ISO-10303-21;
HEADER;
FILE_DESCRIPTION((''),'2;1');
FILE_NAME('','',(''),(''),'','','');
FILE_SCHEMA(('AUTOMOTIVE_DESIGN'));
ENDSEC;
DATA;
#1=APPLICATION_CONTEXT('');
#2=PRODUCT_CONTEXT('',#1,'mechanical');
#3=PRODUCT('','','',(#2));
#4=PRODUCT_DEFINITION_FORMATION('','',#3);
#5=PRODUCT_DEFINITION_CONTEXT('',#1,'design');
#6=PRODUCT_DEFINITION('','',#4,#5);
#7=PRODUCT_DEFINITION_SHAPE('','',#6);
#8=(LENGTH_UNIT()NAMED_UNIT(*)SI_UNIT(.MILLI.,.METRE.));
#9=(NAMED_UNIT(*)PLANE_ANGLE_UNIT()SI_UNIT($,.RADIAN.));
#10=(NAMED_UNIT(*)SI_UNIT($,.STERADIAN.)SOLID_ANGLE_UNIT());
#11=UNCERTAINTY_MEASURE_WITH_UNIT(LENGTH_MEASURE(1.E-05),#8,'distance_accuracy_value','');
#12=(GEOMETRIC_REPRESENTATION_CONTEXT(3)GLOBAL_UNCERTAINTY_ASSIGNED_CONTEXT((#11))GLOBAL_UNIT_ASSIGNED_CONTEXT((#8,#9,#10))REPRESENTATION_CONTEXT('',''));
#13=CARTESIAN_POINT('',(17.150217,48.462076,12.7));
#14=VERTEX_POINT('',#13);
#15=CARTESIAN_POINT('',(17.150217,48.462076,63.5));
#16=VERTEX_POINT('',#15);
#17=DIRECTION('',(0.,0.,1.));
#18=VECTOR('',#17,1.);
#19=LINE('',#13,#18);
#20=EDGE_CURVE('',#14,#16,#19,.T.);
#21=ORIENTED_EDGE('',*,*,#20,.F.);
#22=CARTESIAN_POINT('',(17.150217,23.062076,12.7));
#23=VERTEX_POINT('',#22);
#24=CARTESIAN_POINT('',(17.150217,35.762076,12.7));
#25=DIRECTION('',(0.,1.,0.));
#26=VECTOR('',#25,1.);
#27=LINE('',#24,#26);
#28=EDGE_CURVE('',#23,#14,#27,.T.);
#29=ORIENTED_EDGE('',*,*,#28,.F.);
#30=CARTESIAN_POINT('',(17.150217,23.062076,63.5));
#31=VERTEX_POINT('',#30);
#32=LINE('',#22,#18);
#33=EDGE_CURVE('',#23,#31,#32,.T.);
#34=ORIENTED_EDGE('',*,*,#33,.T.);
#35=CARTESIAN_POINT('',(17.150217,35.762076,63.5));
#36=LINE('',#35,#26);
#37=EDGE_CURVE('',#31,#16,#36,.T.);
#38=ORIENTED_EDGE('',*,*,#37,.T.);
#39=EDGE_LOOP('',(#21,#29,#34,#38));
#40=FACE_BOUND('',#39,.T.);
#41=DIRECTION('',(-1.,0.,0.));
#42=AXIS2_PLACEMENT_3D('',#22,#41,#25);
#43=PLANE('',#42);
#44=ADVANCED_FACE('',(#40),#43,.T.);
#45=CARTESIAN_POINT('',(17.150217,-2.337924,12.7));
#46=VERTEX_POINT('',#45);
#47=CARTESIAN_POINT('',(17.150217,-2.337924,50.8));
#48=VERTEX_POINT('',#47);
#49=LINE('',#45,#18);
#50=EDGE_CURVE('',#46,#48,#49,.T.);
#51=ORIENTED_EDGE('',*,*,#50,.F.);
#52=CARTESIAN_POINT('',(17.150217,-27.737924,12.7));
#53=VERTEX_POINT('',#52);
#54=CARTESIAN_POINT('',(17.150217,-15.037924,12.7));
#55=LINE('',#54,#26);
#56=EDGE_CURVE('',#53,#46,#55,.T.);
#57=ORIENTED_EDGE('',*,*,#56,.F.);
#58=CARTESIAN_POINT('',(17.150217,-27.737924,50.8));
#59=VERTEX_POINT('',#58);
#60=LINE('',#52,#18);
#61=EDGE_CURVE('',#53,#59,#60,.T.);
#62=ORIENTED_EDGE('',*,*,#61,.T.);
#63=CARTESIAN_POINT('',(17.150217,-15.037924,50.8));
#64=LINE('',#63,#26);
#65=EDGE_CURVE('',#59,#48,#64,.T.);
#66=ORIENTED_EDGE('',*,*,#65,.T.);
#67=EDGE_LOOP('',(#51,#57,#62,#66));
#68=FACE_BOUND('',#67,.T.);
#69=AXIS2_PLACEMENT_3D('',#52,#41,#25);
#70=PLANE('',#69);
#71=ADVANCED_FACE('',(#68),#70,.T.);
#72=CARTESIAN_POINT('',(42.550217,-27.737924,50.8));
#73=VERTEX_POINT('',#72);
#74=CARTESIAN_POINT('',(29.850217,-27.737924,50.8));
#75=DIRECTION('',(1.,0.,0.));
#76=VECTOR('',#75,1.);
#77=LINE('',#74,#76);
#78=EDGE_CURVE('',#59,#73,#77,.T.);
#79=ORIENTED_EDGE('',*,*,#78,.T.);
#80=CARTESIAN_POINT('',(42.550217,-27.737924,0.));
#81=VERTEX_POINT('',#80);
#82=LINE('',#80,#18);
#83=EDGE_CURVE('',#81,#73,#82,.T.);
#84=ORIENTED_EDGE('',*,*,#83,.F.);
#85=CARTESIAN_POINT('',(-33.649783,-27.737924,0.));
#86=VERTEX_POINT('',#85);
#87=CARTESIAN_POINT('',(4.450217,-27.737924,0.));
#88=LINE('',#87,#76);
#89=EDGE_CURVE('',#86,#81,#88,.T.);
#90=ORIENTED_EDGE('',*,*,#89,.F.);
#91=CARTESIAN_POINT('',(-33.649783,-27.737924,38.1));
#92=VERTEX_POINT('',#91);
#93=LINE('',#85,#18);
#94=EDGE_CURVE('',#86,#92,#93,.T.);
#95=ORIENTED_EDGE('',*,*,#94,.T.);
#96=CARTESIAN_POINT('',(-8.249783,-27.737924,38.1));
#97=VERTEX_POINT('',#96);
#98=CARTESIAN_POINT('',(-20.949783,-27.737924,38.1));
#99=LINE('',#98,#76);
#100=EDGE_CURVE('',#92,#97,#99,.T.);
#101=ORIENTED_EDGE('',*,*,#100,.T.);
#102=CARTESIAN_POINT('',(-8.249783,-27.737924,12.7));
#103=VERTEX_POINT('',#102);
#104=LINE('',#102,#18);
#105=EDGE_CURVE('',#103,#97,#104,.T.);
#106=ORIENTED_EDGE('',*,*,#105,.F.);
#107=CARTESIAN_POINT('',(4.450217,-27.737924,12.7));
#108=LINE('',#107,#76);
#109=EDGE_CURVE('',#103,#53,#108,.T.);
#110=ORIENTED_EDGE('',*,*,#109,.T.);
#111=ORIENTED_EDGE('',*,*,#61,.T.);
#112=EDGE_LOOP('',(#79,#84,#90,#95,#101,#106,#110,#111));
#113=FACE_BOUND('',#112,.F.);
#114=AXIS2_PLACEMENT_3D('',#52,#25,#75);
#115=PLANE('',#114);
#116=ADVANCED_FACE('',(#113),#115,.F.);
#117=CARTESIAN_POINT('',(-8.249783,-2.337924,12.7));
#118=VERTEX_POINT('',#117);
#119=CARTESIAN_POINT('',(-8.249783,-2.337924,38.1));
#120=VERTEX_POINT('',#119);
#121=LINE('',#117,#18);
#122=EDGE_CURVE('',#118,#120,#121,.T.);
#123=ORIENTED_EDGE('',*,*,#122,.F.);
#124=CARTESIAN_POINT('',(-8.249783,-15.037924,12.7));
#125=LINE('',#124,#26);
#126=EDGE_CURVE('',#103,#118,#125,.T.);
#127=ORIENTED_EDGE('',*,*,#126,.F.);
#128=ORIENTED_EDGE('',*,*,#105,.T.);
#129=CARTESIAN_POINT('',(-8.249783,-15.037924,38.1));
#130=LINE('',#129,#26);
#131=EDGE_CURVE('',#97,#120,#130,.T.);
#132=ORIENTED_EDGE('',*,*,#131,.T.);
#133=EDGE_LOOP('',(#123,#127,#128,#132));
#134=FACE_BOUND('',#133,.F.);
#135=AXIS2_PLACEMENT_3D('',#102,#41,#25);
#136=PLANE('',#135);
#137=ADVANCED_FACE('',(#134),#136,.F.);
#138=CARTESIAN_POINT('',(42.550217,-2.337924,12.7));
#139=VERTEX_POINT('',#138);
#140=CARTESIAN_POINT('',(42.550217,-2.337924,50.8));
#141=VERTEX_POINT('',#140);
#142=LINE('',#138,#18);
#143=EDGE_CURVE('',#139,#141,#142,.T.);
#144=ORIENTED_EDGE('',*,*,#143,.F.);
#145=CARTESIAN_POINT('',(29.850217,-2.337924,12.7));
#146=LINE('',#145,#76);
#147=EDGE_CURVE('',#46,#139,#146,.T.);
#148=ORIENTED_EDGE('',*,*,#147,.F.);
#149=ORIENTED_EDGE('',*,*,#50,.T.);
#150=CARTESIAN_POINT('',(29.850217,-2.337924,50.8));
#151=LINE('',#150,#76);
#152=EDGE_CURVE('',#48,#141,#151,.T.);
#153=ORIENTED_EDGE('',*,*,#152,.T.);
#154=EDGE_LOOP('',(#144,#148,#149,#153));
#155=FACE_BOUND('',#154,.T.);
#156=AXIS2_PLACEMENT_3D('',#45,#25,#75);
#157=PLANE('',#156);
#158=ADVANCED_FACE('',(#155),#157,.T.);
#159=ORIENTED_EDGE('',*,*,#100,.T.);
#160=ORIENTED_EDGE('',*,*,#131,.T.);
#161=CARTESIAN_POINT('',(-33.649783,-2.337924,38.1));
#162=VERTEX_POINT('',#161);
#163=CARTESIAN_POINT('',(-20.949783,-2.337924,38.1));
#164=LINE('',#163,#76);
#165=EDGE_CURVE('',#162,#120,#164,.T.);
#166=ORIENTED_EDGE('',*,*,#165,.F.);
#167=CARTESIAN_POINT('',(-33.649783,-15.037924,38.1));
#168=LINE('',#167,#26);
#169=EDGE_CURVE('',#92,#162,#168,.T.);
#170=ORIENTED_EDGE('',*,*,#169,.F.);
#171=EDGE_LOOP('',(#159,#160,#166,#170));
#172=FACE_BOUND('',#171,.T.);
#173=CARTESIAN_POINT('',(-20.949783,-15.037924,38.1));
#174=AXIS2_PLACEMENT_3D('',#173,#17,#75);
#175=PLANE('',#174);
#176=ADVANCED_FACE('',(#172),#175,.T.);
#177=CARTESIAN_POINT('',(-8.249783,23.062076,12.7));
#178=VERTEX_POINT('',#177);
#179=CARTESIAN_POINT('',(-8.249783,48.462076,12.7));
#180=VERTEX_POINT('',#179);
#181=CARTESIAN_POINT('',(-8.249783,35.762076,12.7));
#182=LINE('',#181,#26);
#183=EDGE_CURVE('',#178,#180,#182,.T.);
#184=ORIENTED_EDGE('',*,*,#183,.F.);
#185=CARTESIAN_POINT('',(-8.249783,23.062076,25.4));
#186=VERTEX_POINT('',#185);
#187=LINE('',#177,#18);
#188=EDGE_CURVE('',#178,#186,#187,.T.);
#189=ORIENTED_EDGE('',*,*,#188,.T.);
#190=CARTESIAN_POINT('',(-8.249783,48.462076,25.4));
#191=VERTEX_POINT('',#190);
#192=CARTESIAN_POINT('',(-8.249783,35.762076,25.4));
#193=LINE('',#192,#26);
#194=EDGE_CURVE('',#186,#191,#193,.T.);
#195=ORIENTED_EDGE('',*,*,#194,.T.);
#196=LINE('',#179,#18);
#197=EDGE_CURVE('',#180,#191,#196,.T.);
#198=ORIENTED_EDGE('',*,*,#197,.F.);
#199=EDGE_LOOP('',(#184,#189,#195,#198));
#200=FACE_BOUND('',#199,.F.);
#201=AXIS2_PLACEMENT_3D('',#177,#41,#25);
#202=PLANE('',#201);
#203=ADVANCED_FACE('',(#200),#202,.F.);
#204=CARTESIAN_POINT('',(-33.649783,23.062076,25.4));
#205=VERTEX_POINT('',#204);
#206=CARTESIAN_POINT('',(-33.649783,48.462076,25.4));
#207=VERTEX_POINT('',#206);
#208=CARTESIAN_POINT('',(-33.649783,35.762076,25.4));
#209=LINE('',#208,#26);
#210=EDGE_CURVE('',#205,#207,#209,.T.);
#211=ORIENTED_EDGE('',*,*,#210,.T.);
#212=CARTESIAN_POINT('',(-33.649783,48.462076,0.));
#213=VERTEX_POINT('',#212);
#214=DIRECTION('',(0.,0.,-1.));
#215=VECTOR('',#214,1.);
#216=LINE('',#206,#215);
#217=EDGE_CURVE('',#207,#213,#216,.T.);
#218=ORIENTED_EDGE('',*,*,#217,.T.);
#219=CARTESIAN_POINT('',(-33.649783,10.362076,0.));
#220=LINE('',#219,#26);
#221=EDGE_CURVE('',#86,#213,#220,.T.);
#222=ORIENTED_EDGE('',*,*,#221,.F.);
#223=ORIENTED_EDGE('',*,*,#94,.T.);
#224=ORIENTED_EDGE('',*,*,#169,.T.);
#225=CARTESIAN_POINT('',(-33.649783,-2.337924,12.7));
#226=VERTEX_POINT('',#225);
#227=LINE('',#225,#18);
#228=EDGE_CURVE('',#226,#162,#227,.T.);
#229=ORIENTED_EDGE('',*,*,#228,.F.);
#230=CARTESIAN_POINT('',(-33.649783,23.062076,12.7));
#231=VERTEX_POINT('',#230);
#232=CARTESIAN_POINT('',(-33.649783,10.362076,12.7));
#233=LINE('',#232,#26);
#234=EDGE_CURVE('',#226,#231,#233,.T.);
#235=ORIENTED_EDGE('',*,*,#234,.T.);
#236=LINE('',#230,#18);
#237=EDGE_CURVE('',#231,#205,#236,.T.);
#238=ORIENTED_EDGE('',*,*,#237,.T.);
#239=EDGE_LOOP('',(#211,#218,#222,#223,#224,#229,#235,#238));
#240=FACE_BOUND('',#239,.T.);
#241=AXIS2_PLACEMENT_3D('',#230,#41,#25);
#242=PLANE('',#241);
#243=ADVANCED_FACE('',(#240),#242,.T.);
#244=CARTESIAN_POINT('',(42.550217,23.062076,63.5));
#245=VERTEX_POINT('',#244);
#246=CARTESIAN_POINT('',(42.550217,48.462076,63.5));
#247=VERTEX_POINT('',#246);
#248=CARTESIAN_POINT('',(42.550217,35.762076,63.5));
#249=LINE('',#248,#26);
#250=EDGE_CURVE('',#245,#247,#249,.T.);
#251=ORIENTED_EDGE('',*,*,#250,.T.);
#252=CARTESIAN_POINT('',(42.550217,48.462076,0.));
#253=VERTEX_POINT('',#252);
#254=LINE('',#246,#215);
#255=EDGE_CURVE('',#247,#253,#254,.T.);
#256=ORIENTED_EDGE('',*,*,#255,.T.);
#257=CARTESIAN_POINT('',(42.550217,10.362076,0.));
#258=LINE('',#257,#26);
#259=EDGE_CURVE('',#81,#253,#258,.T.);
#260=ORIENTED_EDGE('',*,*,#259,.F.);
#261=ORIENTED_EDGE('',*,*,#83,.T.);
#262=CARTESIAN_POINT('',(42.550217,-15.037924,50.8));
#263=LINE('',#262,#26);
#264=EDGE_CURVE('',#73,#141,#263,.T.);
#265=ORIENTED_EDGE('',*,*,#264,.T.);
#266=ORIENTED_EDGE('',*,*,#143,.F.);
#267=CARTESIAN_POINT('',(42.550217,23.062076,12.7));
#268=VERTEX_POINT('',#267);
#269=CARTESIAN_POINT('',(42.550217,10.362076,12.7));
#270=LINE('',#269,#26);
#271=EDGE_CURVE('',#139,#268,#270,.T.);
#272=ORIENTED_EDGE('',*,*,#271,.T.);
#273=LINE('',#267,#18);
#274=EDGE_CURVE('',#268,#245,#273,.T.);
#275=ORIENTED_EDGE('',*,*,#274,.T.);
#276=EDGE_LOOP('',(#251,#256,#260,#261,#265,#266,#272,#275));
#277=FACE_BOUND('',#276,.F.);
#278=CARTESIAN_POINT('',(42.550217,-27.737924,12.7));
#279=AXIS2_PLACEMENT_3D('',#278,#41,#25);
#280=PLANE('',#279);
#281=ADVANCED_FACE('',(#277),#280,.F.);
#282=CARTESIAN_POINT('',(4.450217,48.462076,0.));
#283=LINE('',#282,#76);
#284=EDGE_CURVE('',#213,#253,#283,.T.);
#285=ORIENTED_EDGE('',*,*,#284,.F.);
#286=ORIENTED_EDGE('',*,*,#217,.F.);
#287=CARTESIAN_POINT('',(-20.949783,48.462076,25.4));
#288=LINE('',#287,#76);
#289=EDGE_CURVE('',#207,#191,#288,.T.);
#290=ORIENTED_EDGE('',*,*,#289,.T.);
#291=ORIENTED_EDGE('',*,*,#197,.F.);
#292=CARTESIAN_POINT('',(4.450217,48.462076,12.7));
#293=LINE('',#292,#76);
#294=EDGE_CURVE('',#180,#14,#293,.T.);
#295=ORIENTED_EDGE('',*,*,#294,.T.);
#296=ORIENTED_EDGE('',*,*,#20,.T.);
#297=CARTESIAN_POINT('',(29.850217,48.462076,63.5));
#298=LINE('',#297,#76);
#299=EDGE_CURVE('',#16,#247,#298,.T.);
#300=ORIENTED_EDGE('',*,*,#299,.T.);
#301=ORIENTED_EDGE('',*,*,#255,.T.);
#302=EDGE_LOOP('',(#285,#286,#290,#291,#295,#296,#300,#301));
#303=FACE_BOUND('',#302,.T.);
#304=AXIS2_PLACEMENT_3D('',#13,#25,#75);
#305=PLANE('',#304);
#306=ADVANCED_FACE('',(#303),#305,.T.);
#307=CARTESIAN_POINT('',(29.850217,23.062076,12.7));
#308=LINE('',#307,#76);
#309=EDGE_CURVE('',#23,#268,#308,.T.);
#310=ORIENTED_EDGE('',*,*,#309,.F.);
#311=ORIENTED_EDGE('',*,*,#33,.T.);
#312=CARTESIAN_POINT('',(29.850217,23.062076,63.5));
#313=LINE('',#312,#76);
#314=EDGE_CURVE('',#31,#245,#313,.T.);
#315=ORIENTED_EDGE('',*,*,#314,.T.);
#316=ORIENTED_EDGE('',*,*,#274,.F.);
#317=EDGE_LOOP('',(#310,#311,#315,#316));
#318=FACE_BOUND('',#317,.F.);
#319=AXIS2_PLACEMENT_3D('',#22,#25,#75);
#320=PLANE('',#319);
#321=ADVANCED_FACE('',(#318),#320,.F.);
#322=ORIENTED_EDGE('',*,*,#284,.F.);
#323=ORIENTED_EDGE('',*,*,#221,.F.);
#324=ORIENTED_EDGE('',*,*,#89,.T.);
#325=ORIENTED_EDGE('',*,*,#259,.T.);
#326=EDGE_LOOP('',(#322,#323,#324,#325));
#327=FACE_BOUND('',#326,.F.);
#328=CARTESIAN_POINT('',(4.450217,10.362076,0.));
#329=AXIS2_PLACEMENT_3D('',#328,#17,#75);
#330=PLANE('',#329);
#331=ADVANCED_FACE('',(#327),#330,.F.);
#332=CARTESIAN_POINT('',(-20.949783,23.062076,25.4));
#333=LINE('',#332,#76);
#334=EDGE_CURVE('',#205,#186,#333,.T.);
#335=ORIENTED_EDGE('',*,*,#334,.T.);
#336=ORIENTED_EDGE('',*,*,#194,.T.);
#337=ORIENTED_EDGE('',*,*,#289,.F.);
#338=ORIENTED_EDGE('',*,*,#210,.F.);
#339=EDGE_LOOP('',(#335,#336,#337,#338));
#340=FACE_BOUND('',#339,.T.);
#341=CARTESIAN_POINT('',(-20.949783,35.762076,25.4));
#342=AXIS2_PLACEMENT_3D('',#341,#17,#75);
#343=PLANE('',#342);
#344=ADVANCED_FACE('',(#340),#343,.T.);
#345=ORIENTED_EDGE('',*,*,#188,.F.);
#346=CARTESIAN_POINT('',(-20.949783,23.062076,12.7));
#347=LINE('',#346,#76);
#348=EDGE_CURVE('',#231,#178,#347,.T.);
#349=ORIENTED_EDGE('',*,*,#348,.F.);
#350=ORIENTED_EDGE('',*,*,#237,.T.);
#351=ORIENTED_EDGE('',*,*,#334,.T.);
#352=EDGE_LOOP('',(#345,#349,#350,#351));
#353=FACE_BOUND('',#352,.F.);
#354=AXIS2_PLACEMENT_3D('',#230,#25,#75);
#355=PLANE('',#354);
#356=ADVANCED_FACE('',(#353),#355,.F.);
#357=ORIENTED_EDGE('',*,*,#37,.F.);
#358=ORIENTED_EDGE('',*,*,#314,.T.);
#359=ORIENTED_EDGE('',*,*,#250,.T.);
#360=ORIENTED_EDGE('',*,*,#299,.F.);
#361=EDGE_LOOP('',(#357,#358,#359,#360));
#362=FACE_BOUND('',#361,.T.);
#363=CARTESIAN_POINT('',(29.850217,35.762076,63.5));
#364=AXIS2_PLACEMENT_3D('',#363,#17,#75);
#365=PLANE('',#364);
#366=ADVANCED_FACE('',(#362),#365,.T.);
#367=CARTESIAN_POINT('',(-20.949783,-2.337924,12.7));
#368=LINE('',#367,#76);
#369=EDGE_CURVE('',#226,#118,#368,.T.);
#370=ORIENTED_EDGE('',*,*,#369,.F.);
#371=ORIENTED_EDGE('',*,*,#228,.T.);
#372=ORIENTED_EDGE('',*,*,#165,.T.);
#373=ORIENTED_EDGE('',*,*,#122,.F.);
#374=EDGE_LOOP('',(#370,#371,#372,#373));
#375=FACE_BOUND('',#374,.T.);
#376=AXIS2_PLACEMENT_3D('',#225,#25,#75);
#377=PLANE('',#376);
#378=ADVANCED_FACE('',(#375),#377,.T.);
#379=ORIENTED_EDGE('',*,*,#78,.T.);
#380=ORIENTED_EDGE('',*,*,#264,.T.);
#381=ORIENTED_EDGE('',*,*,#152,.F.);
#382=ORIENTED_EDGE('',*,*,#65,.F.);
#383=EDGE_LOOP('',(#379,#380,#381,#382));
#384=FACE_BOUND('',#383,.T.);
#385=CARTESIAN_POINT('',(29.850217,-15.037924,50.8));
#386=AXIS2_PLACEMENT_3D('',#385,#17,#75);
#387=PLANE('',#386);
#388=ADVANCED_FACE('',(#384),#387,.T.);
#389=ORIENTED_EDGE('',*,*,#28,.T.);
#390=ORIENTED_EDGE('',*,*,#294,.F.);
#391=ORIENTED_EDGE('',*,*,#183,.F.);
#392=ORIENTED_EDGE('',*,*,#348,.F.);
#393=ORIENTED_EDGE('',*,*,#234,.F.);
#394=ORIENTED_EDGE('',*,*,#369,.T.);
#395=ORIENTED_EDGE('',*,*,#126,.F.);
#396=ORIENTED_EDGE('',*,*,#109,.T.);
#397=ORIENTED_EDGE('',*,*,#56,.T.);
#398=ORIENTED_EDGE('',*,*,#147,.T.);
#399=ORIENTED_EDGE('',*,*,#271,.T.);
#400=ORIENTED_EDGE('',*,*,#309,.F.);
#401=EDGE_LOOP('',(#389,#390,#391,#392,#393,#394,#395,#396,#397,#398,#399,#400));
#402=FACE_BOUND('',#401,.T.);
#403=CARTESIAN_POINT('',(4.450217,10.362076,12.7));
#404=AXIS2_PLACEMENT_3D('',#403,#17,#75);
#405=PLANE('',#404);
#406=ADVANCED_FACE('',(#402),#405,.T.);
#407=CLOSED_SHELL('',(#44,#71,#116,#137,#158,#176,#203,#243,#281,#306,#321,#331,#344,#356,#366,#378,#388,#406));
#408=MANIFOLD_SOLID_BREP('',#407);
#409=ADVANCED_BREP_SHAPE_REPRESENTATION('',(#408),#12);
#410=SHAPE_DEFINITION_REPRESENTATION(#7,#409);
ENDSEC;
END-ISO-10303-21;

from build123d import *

# Parameters (mm, degrees)
F0_W     = 76.2
F0_H     = 76.2
F1_DEPTH = 12.7
F2_W     = 25.4
F2_H     = 25.4
F3_DEPTH = 25.4
F4_DEPTH = 12.7
F5_DEPTH = 50.8
F6_DEPTH = 38.1


with BuildPart() as f1:
    # F0 (on Top) → F1 (new body)
    with BuildSketch(Plane.XY):
        with Locations((4.450217, 10.362076)):
            Rectangle(F0_W, F0_H)
    extrude(amount=F1_DEPTH)

    # F2 (on face) → F3 (join)
    with BuildSketch(Plane.XY.offset(12.7)):
        with Locations((-20.949783, -15.037924)):
            Rectangle(F2_W, F2_H)
    extrude(amount=F3_DEPTH)

    # F2 (on face) → F4 (join)
    with BuildSketch(Plane.XY.offset(12.7)):
        with Locations((-20.949783, 35.762076)):
            Rectangle(F2_W, F2_H)
    extrude(amount=F4_DEPTH)

    # F2 (on face) → F5 (join)
    with BuildSketch(Plane.XY.offset(12.7)):
        with Locations((29.850217, 35.762076)):
            Rectangle(F2_W, F2_H)
    extrude(amount=F5_DEPTH)

    # F2 (on face) → F6 (join)
    with BuildSketch(Plane.XY.offset(12.7)):
        with Locations((29.850217, -15.037924)):
            Rectangle(F2_W, F2_H)
    extrude(amount=F6_DEPTH)


solid = f1.part
